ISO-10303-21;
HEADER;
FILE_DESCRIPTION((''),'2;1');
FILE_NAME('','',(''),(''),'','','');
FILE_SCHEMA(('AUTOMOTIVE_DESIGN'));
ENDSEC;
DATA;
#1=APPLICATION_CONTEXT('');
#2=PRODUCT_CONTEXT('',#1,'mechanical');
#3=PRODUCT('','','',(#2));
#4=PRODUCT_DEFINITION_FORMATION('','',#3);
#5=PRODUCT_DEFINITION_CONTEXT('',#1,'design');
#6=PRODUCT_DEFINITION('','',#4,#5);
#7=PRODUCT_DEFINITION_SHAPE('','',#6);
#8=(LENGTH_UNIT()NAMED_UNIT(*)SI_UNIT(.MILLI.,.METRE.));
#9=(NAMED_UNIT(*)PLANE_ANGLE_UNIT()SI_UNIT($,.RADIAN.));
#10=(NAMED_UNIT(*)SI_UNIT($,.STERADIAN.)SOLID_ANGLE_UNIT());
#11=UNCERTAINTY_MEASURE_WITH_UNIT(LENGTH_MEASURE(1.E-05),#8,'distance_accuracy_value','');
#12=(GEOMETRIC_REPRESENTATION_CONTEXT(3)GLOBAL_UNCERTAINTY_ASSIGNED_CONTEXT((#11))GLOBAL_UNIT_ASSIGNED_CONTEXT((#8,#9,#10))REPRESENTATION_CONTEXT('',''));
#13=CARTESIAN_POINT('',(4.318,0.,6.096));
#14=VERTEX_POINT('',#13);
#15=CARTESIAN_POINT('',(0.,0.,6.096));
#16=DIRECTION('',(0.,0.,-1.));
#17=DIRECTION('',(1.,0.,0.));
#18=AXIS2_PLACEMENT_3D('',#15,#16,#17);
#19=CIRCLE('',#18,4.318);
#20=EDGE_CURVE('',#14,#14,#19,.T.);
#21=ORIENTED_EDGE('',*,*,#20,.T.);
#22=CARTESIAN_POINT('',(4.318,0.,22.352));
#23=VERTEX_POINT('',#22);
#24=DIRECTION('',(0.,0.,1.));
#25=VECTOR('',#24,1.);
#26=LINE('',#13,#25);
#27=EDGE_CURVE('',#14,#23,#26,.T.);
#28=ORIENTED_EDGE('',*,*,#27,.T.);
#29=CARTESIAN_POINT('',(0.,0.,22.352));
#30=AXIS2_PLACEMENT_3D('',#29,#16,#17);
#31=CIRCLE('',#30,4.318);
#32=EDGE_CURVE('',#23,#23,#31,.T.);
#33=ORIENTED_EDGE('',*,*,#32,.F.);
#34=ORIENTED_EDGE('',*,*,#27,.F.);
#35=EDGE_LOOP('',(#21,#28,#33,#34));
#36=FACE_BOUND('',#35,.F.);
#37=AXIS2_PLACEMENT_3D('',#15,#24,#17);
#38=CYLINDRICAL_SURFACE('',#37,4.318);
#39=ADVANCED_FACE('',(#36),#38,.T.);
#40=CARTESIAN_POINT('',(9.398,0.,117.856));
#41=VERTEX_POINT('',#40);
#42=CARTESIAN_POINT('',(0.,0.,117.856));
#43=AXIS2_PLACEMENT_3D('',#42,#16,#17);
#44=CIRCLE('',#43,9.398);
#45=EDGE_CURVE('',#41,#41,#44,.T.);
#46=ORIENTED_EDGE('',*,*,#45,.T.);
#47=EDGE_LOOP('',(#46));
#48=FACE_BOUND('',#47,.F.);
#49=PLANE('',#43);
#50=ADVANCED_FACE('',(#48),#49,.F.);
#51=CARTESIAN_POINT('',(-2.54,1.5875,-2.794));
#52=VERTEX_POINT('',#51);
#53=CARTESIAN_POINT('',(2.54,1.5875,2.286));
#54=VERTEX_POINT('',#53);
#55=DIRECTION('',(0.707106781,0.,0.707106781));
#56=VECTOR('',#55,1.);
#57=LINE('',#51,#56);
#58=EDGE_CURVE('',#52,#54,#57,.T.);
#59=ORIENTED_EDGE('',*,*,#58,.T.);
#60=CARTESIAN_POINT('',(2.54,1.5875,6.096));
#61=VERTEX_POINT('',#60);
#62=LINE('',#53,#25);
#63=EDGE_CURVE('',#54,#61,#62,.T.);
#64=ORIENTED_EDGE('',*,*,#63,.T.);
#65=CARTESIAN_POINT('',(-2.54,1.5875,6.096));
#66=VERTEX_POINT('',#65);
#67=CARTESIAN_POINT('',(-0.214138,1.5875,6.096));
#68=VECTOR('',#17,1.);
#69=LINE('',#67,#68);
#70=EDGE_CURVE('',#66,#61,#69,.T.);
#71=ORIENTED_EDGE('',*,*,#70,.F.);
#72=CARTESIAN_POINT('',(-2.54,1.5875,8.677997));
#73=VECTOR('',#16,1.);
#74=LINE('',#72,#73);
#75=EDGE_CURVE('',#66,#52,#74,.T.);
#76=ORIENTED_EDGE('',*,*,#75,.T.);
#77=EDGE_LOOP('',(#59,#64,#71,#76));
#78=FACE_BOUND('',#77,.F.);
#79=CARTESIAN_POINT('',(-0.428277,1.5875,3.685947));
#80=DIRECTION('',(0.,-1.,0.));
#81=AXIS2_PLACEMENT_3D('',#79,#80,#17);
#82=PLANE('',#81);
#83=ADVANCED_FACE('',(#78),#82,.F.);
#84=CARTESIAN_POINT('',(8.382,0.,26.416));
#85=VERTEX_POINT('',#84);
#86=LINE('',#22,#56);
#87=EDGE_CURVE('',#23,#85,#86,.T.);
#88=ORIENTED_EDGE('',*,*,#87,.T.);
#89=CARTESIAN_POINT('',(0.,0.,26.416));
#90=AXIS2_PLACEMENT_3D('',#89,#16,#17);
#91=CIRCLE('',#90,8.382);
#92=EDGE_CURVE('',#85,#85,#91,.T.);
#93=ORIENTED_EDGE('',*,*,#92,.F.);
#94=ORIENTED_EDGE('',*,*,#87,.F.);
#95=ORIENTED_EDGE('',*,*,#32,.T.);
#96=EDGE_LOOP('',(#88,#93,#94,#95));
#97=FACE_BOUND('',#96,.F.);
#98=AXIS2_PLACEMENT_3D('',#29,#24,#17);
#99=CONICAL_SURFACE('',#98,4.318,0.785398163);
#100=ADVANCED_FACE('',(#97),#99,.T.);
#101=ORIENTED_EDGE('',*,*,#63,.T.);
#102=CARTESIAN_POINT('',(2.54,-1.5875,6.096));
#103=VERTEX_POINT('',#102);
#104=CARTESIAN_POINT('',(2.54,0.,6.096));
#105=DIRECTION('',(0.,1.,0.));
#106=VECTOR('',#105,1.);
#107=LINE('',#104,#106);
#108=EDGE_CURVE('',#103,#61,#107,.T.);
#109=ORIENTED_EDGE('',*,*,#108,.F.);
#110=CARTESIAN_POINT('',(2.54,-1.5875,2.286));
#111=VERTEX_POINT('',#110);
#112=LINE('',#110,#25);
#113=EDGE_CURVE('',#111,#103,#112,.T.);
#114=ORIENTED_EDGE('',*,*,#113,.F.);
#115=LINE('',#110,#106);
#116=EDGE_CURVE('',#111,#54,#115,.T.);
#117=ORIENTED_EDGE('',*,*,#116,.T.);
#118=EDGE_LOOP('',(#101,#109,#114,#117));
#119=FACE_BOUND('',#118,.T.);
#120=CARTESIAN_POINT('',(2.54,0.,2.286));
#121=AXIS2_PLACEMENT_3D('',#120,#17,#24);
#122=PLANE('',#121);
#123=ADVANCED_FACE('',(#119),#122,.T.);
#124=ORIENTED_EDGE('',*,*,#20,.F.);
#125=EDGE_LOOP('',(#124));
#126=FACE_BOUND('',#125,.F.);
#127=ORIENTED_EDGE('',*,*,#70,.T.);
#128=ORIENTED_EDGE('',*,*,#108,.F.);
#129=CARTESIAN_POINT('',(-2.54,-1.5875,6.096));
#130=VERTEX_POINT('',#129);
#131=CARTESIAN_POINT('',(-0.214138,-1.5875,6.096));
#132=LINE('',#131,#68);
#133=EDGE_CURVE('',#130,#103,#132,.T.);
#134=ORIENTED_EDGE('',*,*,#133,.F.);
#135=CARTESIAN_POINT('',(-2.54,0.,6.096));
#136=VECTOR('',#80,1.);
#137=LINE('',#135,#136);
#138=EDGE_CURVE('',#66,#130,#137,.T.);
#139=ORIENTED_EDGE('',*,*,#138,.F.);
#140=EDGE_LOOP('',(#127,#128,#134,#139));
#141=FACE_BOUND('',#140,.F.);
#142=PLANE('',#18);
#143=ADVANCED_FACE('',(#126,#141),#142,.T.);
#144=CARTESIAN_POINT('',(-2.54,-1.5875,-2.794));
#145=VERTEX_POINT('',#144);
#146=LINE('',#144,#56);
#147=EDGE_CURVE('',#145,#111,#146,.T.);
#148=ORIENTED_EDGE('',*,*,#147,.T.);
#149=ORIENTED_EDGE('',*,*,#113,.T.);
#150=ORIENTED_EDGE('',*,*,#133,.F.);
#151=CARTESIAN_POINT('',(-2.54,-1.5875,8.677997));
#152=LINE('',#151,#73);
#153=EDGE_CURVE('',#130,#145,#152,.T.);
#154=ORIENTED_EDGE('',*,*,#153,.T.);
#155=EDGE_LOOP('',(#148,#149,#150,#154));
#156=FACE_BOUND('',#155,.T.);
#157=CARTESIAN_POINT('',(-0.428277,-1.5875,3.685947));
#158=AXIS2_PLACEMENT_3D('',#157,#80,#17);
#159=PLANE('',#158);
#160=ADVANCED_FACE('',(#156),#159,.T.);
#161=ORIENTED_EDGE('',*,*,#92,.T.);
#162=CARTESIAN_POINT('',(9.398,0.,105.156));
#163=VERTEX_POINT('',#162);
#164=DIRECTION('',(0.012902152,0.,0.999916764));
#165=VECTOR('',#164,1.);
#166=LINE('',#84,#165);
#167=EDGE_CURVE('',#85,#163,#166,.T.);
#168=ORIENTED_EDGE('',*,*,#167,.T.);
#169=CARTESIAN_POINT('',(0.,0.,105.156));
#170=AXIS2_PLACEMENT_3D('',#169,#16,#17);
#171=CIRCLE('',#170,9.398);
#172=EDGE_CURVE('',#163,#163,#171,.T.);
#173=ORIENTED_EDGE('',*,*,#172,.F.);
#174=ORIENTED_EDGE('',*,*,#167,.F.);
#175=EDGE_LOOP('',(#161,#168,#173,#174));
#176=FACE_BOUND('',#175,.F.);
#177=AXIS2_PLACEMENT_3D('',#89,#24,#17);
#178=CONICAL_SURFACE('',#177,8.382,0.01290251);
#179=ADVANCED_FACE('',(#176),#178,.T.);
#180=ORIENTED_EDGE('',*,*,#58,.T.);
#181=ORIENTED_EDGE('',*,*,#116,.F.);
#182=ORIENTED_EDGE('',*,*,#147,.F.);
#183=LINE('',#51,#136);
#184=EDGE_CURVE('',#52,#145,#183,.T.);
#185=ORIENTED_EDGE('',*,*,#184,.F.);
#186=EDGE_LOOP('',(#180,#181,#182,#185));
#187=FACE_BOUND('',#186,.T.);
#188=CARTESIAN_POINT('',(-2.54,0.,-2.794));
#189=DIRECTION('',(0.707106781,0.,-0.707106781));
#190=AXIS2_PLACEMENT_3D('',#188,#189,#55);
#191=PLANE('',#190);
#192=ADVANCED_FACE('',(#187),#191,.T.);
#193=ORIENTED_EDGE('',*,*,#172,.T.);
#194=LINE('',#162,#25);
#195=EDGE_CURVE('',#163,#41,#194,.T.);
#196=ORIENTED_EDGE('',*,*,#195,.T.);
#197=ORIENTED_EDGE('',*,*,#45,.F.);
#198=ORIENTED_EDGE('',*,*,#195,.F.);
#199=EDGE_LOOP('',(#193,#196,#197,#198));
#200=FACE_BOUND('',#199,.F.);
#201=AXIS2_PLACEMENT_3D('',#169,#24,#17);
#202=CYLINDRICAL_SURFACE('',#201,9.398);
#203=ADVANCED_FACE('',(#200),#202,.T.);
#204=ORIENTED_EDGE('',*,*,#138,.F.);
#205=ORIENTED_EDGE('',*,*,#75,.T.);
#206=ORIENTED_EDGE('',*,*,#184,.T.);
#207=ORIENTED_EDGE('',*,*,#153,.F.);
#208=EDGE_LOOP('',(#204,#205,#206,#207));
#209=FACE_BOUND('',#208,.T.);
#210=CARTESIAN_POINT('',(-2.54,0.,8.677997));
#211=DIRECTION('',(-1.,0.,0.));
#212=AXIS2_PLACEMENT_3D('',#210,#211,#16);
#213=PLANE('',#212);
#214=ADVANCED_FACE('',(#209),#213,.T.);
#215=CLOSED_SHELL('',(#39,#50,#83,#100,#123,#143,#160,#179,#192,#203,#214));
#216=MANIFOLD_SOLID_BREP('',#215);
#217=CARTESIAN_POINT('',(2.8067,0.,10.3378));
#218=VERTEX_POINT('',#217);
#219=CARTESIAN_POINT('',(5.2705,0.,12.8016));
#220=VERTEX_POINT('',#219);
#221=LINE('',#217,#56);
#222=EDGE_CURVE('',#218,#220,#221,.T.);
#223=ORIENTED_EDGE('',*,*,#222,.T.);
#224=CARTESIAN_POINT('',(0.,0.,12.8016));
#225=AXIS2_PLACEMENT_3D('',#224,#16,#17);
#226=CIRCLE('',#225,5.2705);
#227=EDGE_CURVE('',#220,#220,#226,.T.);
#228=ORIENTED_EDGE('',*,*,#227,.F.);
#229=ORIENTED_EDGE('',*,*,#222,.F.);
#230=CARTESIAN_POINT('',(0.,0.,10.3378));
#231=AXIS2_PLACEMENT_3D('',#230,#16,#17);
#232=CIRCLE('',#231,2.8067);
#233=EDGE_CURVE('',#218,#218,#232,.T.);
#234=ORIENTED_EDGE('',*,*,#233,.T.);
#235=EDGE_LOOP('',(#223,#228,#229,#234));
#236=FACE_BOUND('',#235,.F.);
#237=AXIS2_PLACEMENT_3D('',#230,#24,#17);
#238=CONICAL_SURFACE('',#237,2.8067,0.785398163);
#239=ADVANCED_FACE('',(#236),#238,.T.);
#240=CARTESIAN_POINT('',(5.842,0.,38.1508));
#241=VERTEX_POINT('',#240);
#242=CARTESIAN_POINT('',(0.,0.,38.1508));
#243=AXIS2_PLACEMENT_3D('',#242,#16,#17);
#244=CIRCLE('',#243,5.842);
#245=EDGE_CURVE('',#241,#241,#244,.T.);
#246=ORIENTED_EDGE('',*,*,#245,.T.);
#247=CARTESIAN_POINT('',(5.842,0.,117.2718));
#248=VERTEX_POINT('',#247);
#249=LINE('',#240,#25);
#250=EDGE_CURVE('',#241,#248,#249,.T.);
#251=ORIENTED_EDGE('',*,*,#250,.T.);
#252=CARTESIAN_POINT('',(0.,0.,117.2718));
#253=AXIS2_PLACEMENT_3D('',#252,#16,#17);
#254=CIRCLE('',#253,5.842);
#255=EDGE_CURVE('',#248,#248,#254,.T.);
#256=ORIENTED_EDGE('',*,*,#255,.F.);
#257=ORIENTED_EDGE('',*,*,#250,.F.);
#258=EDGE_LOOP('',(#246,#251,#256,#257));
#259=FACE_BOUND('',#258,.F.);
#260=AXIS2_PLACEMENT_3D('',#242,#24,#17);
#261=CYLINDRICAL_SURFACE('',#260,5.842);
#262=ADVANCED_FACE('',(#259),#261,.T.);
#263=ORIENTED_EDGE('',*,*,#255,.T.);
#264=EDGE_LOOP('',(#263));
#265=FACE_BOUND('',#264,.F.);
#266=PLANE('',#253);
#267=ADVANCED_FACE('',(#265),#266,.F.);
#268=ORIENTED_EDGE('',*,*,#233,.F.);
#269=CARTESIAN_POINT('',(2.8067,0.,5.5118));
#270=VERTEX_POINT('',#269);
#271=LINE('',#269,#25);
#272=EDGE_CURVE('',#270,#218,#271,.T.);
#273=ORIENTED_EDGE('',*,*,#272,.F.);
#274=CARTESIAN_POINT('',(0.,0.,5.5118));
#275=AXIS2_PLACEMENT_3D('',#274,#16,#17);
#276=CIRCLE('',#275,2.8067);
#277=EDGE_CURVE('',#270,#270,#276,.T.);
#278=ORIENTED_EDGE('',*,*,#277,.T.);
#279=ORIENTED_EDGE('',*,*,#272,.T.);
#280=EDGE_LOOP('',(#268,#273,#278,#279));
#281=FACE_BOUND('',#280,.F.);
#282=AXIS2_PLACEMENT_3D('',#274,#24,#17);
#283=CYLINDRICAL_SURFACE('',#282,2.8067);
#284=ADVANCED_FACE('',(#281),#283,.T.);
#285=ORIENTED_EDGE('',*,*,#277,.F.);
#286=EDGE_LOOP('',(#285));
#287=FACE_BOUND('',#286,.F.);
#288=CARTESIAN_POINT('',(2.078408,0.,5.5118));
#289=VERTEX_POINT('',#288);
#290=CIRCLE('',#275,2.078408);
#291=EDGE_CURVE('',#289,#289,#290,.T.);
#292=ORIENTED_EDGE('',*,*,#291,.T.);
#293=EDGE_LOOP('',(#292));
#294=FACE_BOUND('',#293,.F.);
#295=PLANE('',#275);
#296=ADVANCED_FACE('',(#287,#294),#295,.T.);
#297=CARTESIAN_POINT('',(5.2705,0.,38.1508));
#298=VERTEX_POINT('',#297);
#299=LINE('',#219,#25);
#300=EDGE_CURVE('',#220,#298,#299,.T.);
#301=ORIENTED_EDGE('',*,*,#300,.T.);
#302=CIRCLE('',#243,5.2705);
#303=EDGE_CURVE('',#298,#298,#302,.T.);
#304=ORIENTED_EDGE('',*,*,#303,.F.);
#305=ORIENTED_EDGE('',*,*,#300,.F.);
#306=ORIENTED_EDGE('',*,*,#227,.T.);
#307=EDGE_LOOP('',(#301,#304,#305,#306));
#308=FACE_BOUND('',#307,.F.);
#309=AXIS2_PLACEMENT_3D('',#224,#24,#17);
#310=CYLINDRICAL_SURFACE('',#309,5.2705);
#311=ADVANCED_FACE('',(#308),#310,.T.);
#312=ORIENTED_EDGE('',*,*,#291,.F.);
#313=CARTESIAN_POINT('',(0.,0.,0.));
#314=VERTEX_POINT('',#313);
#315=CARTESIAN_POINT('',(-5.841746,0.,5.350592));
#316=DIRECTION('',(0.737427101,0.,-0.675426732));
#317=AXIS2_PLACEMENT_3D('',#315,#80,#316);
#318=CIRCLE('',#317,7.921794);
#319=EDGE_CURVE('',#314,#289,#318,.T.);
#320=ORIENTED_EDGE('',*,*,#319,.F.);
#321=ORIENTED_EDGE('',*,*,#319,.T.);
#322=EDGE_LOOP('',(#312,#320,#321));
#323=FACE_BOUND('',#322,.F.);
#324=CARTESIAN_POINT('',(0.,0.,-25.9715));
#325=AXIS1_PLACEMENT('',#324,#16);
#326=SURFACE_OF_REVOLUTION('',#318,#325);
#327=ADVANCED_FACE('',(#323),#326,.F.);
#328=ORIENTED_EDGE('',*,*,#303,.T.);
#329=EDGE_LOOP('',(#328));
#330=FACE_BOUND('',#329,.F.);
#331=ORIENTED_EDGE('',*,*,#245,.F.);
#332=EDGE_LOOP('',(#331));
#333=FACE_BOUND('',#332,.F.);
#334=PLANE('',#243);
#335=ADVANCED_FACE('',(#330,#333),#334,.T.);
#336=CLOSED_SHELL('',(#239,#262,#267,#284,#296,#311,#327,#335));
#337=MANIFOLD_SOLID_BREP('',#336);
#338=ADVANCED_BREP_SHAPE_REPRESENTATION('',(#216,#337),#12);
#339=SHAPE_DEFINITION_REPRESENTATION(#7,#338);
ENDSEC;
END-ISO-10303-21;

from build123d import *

# Parameters (mm, degrees)
F3_DEPTH = 1.5875


with BuildPart() as f1:
    # F0 (on Front) → F1 (revolve)
    with BuildSketch(Plane.XZ):
        Polygon((0, 117.856), (0, 6.096), (4.318, 6.096), (4.318, 22.352), (8.382, 26.416), (9.398, 105.156), (9.398, 117.856), align=None)
    revolve(axis=Axis((0, 0, -21.406557), (0, 0, -1)))

    # F2 (on Front) → F3 (join, symmetric)
    with BuildSketch(Plane.XZ):
        Polygon((2.54, 8.677997), (-2.54, 8.677997), (-2.54, -2.794), (2.54, 2.286), align=None)
    extrude(amount=F3_DEPTH, both=True)


with BuildPart() as f5:
    # F4 (on Front) → F5 (revolve)
    with BuildSketch(Plane.XZ):
        Polygon((0, 117.2718), (0, 5.5118), (2.078408, 5.5118), (2.8067, 5.5118), (2.8067, 10.3378), (5.2705, 12.8016), (5.2705, 38.1508), (5.842, 38.1508), (5.842, 117.2718), align=None)
        with BuildLine():
            Line((2.078408, 5.5118), (0, 5.5118))
            Line((0, 5.5118), (0, 0))
            ThreePointArc((0, 0), (1.570572, 2.55553), (2.078408, 5.5118))
        make_face()
    revolve(axis=Axis((0, 0, -25.9715), (0, 0, -1)))


solid = Compound([f1.part, f5.part])
